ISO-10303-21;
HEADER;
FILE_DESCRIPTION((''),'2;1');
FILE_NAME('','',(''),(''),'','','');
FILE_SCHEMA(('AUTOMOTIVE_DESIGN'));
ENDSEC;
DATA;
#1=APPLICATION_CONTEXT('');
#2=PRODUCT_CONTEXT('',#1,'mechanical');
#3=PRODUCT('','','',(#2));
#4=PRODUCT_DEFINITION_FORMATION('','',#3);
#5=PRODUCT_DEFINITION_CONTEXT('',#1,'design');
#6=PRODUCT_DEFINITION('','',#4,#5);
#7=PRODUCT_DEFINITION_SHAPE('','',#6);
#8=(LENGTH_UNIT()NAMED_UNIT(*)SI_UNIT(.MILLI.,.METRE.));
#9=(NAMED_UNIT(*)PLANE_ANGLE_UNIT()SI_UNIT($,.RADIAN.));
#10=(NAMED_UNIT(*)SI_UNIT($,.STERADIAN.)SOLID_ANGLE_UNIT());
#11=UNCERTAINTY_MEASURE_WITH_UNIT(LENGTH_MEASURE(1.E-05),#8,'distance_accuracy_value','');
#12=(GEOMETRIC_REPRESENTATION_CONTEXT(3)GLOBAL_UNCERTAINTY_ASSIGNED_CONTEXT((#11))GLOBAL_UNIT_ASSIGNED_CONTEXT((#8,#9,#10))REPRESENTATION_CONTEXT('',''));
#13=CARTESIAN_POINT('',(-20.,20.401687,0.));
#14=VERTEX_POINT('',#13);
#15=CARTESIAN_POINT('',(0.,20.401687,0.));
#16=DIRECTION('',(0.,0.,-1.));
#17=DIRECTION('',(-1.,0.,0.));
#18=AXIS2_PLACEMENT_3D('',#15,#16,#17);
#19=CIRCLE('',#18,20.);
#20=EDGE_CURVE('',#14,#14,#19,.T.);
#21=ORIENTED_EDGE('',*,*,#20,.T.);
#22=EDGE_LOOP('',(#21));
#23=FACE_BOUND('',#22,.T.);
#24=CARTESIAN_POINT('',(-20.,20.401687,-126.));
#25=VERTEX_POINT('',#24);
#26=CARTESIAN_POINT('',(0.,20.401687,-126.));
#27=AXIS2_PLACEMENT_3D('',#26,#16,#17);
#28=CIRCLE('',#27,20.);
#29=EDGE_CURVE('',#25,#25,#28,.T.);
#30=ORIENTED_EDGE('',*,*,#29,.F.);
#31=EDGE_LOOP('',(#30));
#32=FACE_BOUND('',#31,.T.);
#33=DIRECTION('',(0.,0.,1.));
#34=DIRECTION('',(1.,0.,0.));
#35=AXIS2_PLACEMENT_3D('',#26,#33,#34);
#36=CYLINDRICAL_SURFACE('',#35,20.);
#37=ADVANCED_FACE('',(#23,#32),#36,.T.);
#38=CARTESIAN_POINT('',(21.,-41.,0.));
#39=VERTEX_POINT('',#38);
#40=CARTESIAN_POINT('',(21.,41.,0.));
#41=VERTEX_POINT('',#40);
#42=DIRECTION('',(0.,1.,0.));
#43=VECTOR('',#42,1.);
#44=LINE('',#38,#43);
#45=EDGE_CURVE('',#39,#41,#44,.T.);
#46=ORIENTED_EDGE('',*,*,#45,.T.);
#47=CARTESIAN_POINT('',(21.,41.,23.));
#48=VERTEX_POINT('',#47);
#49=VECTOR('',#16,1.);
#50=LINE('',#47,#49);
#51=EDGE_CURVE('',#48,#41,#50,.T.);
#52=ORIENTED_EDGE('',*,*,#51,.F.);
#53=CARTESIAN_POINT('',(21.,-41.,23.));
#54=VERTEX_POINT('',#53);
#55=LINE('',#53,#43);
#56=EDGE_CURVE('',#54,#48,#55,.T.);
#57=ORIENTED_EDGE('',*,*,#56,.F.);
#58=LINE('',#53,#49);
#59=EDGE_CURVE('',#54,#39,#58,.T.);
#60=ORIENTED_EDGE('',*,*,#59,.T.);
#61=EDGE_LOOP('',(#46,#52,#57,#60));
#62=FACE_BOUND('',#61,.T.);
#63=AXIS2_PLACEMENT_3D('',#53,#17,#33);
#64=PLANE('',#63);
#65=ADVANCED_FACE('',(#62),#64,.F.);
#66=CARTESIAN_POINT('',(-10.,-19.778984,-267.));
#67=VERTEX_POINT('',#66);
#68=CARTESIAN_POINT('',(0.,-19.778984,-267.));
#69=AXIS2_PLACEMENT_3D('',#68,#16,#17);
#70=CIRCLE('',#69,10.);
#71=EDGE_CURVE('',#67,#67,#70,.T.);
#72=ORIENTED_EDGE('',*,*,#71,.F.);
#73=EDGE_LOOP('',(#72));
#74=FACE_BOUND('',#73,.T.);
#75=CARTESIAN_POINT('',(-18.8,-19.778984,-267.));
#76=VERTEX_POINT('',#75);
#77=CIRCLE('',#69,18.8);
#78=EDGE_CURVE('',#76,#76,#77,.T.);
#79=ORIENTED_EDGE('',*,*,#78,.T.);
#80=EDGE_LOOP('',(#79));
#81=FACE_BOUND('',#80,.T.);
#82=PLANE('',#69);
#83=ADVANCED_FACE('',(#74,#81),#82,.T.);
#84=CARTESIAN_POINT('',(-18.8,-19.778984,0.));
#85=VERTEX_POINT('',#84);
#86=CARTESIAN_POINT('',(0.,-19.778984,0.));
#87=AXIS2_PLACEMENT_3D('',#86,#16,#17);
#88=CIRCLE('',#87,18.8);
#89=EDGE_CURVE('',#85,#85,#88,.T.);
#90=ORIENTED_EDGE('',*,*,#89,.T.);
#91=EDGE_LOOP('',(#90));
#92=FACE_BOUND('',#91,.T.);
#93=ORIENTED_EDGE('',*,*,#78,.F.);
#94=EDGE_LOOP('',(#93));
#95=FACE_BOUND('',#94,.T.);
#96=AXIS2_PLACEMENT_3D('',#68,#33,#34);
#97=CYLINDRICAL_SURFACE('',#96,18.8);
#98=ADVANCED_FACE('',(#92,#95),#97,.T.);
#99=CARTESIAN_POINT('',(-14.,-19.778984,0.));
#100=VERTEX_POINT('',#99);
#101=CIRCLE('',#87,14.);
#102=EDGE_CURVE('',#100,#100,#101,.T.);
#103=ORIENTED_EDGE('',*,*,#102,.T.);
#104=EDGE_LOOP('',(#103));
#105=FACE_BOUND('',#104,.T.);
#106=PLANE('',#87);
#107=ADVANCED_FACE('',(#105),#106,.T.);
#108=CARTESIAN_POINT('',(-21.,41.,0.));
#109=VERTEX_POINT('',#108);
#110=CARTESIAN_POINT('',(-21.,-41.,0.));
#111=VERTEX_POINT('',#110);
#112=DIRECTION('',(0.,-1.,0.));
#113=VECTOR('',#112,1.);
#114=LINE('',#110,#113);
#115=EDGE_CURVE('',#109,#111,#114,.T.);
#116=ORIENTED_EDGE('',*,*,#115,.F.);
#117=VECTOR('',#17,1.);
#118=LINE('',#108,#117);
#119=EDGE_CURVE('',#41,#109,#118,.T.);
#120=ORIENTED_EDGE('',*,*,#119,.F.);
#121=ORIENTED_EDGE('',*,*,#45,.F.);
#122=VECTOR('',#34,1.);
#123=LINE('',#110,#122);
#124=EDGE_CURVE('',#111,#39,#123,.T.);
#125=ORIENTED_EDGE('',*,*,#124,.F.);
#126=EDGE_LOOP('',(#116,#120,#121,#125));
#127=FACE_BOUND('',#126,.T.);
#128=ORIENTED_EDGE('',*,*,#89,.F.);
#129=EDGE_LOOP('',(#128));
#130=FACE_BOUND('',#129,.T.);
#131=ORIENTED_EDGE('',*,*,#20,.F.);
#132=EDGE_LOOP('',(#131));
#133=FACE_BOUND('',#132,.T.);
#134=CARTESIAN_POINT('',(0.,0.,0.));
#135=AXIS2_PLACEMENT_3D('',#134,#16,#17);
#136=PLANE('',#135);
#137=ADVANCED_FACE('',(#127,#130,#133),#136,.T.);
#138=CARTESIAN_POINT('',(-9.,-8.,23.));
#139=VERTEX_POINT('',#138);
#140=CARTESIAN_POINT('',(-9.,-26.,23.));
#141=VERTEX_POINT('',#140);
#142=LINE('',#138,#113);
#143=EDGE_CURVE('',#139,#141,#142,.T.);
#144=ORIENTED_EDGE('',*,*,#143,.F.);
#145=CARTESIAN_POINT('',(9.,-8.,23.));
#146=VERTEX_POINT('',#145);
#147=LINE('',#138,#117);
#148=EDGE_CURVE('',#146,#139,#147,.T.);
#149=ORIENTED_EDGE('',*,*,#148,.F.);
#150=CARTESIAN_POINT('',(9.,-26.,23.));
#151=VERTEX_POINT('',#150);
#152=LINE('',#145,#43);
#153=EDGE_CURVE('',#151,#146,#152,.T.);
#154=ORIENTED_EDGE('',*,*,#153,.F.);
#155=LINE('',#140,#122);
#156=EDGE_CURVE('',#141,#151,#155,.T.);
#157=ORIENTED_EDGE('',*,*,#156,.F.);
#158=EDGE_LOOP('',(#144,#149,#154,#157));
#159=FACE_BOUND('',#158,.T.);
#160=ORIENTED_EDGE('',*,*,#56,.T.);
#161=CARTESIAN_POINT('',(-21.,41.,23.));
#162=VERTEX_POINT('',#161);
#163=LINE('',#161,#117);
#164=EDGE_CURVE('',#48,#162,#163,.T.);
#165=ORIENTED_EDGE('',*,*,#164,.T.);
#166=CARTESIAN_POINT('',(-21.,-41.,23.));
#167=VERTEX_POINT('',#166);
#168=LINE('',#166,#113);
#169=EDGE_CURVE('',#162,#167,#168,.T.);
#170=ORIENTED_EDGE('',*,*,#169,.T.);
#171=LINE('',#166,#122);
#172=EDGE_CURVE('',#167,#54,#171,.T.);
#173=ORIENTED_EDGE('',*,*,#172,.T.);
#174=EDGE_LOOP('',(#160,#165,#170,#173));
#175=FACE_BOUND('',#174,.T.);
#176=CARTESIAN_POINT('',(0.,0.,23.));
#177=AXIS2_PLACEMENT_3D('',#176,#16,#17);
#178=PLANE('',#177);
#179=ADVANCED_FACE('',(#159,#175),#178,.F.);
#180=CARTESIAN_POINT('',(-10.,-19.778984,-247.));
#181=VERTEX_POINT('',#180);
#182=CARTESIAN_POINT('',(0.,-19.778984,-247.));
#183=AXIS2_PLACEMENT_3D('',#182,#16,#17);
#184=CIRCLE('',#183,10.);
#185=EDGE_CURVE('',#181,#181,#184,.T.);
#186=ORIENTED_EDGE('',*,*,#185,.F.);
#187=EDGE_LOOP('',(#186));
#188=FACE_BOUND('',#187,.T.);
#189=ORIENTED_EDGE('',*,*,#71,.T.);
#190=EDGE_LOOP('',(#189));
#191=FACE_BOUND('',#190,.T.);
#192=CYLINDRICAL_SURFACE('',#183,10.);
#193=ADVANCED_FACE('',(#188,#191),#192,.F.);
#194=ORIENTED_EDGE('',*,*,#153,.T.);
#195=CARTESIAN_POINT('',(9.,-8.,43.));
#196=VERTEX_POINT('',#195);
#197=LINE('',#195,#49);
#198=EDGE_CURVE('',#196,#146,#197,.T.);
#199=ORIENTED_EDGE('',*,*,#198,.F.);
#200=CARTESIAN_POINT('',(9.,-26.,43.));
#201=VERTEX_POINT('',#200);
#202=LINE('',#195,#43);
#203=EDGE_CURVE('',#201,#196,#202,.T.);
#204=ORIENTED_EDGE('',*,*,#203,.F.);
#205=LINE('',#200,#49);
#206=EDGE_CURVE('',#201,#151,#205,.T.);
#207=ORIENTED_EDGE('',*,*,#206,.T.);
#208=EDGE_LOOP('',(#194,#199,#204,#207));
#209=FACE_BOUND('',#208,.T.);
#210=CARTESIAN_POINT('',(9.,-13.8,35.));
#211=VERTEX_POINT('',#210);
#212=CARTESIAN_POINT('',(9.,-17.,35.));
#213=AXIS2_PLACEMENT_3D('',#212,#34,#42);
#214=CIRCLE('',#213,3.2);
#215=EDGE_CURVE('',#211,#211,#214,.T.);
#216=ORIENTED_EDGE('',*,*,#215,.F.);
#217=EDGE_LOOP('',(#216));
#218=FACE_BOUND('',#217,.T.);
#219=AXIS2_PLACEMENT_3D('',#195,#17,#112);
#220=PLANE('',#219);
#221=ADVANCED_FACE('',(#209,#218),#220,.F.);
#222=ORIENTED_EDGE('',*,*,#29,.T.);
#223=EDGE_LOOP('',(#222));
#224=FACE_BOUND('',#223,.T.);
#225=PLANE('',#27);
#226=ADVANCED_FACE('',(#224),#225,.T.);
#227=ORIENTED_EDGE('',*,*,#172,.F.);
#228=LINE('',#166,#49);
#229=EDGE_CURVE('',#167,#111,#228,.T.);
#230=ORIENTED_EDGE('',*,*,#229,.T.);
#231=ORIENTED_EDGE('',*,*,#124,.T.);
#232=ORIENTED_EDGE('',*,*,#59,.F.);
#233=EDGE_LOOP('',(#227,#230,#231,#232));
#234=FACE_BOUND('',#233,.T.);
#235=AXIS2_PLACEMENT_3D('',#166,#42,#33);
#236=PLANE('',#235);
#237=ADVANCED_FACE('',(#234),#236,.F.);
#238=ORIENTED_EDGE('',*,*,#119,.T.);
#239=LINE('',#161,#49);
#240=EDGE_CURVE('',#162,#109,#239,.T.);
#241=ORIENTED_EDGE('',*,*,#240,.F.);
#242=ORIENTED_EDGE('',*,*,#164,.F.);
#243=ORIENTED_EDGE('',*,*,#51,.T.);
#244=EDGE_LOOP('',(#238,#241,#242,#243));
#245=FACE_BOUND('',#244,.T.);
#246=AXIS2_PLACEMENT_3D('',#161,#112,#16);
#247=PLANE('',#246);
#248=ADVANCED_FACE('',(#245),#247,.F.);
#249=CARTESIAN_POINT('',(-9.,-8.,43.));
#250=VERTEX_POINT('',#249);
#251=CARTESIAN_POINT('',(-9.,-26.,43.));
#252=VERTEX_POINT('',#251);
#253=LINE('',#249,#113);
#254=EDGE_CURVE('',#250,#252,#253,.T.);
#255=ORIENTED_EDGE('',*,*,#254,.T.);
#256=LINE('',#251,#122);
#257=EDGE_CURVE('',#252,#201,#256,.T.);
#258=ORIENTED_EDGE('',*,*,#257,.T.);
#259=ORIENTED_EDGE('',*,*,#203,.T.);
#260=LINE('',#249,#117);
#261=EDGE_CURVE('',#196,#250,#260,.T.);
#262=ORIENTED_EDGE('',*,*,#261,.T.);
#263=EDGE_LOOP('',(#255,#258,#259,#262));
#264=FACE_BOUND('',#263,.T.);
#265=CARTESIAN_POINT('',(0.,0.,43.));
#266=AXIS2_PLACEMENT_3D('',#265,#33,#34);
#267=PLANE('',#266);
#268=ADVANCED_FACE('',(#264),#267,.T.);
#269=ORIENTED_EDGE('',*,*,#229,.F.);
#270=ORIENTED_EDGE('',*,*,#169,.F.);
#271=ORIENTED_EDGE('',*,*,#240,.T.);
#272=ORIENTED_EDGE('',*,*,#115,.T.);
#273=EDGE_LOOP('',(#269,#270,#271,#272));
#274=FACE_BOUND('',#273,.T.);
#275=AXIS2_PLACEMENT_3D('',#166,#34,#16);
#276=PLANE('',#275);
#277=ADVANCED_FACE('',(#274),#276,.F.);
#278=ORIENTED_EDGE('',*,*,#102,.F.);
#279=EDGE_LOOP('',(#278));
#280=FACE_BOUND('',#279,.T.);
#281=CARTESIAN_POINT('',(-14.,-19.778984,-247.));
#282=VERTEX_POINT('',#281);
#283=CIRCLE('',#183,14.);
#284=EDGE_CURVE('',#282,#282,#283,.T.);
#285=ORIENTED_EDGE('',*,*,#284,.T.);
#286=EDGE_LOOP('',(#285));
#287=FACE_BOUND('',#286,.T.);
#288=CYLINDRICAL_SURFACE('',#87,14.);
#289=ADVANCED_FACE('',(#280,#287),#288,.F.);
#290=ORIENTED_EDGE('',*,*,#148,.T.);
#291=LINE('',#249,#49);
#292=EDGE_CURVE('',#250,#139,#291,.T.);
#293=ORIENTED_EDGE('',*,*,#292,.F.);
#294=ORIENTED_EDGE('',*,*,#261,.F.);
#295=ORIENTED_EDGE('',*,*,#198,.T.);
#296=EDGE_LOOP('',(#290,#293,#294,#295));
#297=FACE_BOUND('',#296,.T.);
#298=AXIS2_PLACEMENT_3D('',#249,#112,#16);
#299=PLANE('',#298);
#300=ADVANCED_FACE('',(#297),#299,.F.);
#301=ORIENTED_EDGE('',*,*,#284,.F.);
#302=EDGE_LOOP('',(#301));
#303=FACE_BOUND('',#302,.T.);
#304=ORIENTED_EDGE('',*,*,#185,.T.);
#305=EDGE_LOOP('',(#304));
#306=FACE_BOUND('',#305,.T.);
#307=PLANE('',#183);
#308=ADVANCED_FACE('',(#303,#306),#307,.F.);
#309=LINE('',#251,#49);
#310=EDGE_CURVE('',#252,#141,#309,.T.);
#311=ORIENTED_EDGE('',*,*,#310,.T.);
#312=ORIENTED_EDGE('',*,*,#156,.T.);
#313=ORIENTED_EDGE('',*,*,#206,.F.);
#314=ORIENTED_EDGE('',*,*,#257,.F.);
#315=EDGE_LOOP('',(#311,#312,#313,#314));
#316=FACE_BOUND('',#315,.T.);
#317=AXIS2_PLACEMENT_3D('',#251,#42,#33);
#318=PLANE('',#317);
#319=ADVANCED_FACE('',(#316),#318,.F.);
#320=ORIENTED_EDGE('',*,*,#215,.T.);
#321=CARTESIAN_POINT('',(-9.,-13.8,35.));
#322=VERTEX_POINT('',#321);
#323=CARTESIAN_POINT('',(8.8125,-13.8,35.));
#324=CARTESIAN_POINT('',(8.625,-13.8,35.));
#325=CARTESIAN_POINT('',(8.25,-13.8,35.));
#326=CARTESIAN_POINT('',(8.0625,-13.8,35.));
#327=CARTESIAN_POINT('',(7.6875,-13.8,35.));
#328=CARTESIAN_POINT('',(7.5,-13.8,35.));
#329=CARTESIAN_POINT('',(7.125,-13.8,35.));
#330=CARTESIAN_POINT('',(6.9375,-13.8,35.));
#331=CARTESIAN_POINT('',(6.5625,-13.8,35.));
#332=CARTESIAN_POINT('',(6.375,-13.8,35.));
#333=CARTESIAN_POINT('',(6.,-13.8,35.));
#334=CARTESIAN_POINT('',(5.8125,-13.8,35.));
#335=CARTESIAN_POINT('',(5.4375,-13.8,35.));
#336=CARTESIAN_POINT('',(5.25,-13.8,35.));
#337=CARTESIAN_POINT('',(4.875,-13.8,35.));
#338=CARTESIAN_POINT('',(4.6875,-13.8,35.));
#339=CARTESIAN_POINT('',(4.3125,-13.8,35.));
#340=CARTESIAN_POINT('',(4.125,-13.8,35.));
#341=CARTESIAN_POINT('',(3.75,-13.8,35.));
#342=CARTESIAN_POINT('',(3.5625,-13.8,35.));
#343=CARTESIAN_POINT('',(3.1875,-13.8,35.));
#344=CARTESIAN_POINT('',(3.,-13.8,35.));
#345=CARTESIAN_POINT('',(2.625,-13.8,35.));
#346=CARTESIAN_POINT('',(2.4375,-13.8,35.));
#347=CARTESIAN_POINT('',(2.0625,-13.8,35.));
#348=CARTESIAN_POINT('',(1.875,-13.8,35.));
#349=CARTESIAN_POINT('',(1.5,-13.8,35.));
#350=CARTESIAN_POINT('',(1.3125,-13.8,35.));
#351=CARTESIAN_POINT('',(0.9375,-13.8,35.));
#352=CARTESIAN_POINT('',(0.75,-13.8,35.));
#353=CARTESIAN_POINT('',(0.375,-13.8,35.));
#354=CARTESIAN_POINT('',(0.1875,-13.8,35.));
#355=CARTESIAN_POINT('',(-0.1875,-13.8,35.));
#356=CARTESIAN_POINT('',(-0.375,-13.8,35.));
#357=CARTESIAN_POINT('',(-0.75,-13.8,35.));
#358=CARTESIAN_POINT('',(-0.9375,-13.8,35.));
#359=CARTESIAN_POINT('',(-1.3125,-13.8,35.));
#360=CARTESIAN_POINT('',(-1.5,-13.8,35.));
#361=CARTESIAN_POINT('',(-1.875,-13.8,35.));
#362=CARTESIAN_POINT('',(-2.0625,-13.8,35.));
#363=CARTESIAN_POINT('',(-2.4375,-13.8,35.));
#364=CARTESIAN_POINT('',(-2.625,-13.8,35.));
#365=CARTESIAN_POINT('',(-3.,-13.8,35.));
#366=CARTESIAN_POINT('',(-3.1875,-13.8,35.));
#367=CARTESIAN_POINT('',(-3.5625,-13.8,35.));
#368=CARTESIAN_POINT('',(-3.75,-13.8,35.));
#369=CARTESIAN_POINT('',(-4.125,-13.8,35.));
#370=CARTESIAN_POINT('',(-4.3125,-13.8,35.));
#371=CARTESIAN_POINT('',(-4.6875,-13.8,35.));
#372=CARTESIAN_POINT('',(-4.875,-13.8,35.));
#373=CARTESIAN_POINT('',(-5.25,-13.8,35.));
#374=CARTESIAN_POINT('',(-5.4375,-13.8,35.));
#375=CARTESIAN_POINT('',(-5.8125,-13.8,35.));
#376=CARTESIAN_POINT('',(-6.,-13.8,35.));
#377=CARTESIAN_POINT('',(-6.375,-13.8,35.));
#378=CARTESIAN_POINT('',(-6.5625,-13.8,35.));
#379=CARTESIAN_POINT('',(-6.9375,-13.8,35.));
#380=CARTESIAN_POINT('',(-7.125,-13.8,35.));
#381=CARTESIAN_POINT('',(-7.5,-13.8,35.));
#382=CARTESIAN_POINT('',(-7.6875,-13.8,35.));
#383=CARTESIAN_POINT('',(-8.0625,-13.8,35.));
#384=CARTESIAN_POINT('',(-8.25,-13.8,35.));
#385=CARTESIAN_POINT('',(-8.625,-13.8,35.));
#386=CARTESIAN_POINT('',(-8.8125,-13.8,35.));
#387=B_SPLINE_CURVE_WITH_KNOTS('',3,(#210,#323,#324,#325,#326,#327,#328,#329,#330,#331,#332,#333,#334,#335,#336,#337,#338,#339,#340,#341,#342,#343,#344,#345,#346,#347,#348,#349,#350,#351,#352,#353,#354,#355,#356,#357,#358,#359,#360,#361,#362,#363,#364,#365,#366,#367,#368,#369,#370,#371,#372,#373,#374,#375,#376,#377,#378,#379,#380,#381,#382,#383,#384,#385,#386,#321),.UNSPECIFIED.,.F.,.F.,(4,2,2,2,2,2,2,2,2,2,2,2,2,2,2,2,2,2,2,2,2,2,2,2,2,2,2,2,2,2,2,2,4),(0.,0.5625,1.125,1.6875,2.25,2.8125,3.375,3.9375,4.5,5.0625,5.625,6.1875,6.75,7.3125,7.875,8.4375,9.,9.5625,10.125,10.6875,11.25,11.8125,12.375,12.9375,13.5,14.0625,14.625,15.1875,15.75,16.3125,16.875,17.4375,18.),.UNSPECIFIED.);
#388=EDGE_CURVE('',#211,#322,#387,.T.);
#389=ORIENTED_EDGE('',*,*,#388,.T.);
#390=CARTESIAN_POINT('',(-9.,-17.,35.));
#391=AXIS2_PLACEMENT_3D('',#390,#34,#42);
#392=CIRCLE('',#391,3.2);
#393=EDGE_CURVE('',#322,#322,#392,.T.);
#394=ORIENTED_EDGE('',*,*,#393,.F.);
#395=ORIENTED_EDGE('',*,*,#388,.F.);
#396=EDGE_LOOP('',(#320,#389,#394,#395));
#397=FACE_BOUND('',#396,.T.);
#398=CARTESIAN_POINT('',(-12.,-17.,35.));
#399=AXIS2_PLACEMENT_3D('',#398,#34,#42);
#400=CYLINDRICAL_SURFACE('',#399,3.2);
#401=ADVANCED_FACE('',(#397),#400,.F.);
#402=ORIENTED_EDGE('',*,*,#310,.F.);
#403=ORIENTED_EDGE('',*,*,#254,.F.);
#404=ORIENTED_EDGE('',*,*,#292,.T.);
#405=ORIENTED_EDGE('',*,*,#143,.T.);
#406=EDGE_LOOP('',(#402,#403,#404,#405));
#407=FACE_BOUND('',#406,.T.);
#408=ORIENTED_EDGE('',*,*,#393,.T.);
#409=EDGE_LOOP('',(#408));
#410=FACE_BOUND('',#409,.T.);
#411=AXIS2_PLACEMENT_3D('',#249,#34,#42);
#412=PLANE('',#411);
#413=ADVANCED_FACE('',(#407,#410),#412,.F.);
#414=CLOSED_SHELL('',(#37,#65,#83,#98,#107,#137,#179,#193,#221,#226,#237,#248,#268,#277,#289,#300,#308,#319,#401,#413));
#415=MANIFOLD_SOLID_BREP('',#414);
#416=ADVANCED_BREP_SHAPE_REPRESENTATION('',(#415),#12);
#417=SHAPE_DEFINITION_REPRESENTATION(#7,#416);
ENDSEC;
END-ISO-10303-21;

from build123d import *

# Parameters (mm, degrees)
SKETCH1_W           = 42
SKETCH1_H           = 82
BOSS_EXTRUDE1_DEPTH = 23
SKETCH2_W           = 18
SKETCH2_H           = 18
BOSS_EXTRUDE2_DEPTH = 20
SKETCH3_R           = 3.2
CUT_EXTRUDE1_DEPTH  = 21
SKETCH4_R           = 18.8
BOSS_EXTRUDE3_DEPTH = 267
SKETCH5_R           = 20
BOSS_EXTRUDE4_DEPTH = 126
SKETCH6_R           = 10
CUT_EXTRUDE2_DEPTH  = 20
SKETCH7_R           = 14
CUT_EXTRUDE5_DEPTH  = 247


with BuildPart() as part:
    # Sketch1 → Boss-Extrude1 (new body)
    with BuildSketch(Plane.XY):
        Rectangle(SKETCH1_W, SKETCH1_H)
    extrude(amount=BOSS_EXTRUDE1_DEPTH)

    # Sketch2 → Boss-Extrude2 (add)
    with BuildSketch(Plane.XY.offset(23)):
        with Locations((0, -17)):
            Rectangle(SKETCH2_W, SKETCH2_H)
    extrude(amount=BOSS_EXTRUDE2_DEPTH)

    # Sketch3 → Cut-Extrude1 (cut)
    with BuildSketch(Plane(origin=(9, 0, 0), x_dir=(0, 0, -1), z_dir=(1, 0, 0))):
        with Locations(Location((-35, -17, 0), (0, 0, 90))):
            Circle(SKETCH3_R)
    extrude(amount=-CUT_EXTRUDE1_DEPTH, mode=Mode.SUBTRACT)

    # Sketch4 → Boss-Extrude3 (add)
    with BuildSketch(Plane(origin=(0, 0, 0), x_dir=(-1, 0, 0), z_dir=(0, 0, -1))):
        with Locations((0, -19.778983504)):
            Circle(SKETCH4_R)
    extrude(amount=BOSS_EXTRUDE3_DEPTH)

    # Sketch5 → Boss-Extrude4 (add)
    with BuildSketch(Plane(origin=(0, 0, 0), x_dir=(-1, 0, 0), z_dir=(0, 0, -1))):
        with Locations((0, 20.401687075)):
            Circle(SKETCH5_R)
    extrude(amount=BOSS_EXTRUDE4_DEPTH)

    # Sketch6 → Cut-Extrude2 (cut)
    with BuildSketch(Plane(origin=(0, 0, -267), x_dir=(-1, 0, 0), z_dir=(0, 0, -1))):
        with Locations((0, -19.778983504)):
            Circle(SKETCH6_R)
    extrude(amount=-CUT_EXTRUDE2_DEPTH, mode=Mode.SUBTRACT)

    # Sketch7 → Cut-Extrude5 (cut)
    with BuildSketch(Plane(origin=(0, 0, -247), x_dir=(-1, 0, 0), z_dir=(0, 0, -1))):
        with Locations((0, -19.778983504)):
            Circle(SKETCH7_R)
    extrude(amount=-CUT_EXTRUDE5_DEPTH, mode=Mode.SUBTRACT)


solid = part.part
